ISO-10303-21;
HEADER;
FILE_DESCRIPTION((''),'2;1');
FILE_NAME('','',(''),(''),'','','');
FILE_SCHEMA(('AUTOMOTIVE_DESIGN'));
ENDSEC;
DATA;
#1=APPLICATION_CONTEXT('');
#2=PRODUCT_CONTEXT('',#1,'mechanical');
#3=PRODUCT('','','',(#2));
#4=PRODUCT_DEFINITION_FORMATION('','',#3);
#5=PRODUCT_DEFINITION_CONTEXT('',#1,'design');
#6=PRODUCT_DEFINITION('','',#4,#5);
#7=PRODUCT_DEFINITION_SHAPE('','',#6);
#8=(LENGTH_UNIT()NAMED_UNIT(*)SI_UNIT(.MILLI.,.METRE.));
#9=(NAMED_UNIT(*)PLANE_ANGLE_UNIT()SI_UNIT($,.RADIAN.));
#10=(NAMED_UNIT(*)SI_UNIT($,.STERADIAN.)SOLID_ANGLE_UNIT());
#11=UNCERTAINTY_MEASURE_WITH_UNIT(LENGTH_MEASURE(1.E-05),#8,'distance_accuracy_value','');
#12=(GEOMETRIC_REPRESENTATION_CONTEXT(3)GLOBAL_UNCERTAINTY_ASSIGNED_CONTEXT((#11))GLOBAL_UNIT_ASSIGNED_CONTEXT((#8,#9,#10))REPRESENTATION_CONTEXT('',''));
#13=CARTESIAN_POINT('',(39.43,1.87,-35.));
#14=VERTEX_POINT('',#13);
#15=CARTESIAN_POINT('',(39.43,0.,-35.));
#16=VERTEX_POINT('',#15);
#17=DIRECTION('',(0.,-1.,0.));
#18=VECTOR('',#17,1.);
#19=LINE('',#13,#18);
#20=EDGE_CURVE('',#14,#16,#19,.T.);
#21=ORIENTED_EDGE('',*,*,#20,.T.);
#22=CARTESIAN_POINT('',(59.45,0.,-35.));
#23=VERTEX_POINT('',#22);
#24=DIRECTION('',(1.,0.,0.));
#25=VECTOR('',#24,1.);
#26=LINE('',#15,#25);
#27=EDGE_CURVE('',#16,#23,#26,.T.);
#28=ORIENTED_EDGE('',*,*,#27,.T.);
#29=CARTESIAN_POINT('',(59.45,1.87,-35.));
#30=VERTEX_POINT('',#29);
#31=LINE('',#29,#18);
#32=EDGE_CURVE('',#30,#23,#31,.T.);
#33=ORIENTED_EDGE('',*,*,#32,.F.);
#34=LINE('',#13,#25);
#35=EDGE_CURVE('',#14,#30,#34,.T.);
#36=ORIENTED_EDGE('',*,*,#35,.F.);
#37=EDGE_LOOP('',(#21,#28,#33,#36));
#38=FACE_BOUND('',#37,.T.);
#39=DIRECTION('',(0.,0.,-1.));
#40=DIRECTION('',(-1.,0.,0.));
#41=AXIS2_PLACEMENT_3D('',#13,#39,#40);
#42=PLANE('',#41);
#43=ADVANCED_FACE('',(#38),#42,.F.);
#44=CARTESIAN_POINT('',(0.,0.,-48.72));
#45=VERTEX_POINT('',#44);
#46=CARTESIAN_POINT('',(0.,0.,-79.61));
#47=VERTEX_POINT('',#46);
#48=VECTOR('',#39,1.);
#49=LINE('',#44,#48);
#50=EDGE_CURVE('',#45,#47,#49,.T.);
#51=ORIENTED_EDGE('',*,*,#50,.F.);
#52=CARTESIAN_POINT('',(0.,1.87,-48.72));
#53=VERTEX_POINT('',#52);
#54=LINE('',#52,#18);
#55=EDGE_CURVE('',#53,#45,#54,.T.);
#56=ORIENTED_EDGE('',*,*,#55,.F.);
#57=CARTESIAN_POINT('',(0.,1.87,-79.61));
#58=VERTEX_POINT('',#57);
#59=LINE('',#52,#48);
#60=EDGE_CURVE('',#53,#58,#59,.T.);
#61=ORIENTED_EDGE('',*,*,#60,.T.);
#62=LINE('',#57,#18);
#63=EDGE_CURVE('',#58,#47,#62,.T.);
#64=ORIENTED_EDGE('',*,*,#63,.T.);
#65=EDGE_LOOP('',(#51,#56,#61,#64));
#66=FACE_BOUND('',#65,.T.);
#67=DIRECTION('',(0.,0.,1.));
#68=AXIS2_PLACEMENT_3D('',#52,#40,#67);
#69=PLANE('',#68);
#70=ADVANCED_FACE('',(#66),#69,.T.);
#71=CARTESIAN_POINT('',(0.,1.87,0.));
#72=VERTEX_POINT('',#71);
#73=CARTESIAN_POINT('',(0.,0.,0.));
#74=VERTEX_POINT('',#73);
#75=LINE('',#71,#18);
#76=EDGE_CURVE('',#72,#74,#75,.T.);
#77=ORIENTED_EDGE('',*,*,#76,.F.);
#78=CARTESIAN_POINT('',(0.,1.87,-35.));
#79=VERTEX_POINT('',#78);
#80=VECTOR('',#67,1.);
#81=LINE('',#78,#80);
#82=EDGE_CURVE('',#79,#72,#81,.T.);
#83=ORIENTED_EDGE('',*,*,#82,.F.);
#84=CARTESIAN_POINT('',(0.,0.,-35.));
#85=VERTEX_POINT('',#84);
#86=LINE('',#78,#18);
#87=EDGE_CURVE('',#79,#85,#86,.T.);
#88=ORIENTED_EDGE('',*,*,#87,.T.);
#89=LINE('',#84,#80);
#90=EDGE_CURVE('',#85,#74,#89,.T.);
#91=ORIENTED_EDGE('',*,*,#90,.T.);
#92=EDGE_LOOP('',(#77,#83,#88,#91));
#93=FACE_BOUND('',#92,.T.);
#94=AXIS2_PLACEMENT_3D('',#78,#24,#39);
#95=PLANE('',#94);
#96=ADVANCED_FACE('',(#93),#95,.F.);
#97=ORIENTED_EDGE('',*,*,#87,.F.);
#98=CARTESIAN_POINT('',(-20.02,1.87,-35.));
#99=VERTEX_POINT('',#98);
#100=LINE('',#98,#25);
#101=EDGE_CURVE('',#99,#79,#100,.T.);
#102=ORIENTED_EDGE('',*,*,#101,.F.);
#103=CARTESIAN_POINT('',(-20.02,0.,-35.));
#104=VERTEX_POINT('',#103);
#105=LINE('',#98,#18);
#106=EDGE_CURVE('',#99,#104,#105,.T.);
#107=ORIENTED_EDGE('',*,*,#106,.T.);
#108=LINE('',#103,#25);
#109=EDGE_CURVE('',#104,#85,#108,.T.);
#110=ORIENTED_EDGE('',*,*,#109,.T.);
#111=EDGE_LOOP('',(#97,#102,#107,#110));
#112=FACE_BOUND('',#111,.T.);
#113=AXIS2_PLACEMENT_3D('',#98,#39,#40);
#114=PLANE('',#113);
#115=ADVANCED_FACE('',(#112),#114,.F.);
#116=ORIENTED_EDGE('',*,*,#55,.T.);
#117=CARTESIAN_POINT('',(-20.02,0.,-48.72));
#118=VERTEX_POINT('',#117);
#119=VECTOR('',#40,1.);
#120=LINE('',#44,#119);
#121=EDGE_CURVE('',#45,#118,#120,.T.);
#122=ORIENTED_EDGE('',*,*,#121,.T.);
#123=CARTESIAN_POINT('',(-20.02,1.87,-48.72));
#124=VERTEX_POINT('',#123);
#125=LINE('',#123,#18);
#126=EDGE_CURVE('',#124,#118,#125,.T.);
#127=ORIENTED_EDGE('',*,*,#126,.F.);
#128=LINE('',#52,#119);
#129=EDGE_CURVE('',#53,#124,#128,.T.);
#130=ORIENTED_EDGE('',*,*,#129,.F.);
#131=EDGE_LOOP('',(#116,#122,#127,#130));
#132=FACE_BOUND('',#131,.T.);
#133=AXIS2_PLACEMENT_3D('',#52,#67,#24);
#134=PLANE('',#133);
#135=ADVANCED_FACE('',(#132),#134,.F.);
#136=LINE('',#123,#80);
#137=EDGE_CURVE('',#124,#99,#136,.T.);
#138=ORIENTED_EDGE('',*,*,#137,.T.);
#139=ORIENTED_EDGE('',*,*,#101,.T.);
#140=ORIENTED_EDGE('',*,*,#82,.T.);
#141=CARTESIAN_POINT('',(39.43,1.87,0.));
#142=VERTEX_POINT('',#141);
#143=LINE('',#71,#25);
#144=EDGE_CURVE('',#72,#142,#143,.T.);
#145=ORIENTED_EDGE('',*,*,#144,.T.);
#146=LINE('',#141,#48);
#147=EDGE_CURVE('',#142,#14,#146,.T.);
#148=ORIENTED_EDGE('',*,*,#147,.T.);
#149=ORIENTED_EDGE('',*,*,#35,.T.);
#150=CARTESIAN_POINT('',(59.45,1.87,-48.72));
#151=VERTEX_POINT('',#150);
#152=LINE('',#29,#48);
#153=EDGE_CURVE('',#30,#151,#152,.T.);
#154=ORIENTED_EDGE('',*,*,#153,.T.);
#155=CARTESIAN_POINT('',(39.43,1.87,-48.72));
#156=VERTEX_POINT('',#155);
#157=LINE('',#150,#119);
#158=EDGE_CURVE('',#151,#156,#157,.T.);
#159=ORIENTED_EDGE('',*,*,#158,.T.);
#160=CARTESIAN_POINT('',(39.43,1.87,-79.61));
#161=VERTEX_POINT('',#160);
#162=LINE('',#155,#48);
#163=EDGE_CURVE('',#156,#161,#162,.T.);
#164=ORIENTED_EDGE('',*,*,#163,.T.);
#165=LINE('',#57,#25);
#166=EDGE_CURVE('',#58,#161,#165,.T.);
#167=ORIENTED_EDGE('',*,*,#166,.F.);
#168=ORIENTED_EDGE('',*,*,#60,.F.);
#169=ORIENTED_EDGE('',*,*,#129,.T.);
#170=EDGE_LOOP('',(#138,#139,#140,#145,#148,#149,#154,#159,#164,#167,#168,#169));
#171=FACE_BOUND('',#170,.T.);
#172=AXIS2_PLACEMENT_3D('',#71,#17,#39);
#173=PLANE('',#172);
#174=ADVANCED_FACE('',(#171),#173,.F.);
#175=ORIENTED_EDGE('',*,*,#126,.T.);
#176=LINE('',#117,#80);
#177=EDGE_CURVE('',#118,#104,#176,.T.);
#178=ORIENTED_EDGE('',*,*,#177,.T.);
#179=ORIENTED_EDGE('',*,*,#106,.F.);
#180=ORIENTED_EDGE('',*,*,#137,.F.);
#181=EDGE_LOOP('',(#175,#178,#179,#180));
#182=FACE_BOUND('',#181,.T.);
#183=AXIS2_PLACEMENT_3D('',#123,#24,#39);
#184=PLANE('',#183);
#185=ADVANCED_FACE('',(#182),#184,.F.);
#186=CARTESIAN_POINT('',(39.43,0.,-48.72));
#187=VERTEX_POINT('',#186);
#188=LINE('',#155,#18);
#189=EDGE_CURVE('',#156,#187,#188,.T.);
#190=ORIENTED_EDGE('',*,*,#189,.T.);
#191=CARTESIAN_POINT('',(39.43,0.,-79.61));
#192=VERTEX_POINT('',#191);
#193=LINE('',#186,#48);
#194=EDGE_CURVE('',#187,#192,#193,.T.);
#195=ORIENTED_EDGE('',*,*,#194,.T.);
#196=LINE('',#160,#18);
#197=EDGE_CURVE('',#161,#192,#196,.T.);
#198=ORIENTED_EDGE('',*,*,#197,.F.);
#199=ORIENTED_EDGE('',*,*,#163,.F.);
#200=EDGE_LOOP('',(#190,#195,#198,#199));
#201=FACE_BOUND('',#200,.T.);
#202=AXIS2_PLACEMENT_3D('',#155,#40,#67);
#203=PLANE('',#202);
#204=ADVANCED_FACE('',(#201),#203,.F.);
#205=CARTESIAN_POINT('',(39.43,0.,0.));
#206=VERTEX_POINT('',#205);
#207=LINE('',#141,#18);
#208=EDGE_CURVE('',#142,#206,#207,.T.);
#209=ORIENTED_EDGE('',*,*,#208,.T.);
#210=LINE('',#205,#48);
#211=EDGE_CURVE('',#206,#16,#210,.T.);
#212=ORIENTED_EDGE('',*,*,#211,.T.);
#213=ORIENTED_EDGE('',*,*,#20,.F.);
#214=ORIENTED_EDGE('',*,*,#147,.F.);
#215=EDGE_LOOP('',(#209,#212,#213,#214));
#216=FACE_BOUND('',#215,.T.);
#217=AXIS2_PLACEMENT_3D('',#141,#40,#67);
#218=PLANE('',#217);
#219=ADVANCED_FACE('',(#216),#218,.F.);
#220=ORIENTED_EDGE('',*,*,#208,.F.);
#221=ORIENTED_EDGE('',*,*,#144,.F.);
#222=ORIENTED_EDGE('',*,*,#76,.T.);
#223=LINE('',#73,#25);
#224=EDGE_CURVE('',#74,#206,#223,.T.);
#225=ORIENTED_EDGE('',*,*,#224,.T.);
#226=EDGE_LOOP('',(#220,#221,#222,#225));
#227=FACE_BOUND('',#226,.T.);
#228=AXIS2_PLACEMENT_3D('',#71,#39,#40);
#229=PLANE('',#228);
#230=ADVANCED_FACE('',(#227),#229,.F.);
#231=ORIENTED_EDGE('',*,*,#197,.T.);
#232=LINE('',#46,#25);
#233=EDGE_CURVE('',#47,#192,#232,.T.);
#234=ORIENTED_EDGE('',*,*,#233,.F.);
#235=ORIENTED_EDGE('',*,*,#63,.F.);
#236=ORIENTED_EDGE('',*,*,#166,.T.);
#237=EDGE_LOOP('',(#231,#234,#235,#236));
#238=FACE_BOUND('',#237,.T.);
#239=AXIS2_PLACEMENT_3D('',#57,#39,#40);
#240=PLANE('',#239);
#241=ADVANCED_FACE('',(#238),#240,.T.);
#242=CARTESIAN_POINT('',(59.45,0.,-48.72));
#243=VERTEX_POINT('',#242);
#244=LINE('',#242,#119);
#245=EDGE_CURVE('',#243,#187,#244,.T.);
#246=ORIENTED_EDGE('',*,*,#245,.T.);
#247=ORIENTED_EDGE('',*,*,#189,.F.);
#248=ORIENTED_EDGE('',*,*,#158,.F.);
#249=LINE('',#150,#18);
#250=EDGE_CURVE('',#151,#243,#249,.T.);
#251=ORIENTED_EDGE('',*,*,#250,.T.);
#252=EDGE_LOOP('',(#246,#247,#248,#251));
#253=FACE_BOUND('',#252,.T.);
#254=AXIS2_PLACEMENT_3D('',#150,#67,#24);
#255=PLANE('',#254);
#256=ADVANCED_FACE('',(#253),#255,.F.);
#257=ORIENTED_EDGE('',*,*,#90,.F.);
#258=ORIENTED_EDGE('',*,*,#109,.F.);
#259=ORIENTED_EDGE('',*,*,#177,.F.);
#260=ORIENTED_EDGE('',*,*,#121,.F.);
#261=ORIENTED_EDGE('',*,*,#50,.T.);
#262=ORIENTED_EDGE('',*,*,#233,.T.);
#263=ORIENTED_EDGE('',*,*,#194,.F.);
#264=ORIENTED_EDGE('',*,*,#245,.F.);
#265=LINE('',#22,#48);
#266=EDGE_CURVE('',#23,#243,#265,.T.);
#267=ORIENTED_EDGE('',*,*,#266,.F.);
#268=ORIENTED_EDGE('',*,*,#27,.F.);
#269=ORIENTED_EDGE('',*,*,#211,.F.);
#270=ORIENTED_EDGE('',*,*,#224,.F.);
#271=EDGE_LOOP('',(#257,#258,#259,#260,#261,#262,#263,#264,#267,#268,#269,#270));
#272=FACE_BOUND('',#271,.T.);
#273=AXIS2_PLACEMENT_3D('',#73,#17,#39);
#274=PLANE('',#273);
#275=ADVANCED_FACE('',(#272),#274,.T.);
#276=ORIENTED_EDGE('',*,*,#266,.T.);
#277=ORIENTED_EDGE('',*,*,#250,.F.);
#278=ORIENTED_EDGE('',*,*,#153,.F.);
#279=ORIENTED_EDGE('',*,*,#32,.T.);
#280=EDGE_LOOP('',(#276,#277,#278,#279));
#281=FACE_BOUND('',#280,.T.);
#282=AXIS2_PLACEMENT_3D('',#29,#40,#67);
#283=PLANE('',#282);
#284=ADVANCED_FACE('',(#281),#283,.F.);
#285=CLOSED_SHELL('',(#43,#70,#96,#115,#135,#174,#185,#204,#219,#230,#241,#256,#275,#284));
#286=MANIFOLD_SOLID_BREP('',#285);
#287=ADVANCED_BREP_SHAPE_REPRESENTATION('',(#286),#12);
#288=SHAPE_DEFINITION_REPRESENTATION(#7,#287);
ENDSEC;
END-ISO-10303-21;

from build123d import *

# Parameters (mm, degrees)
BOSS_EXTRU_1_DEPTH = 1.87


with BuildPart() as part:
    # Esquisse1 → Boss.-Extru.1 (new body)
    with BuildSketch(Plane(origin=(0, 0, 0), x_dir=(1, 0, 0), z_dir=(0, 1, 0))):
        Polygon((0, 0), (39.43, 0), (39.43, 35), (59.45, 35), (59.45, 48.72), (39.43, 48.72), (39.43, 79.61), (0, 79.61), (0, 48.72), (-20.02, 48.72), (-20.02, 35), (0, 35), align=None)
    extrude(amount=BOSS_EXTRU_1_DEPTH)


solid = part.part
